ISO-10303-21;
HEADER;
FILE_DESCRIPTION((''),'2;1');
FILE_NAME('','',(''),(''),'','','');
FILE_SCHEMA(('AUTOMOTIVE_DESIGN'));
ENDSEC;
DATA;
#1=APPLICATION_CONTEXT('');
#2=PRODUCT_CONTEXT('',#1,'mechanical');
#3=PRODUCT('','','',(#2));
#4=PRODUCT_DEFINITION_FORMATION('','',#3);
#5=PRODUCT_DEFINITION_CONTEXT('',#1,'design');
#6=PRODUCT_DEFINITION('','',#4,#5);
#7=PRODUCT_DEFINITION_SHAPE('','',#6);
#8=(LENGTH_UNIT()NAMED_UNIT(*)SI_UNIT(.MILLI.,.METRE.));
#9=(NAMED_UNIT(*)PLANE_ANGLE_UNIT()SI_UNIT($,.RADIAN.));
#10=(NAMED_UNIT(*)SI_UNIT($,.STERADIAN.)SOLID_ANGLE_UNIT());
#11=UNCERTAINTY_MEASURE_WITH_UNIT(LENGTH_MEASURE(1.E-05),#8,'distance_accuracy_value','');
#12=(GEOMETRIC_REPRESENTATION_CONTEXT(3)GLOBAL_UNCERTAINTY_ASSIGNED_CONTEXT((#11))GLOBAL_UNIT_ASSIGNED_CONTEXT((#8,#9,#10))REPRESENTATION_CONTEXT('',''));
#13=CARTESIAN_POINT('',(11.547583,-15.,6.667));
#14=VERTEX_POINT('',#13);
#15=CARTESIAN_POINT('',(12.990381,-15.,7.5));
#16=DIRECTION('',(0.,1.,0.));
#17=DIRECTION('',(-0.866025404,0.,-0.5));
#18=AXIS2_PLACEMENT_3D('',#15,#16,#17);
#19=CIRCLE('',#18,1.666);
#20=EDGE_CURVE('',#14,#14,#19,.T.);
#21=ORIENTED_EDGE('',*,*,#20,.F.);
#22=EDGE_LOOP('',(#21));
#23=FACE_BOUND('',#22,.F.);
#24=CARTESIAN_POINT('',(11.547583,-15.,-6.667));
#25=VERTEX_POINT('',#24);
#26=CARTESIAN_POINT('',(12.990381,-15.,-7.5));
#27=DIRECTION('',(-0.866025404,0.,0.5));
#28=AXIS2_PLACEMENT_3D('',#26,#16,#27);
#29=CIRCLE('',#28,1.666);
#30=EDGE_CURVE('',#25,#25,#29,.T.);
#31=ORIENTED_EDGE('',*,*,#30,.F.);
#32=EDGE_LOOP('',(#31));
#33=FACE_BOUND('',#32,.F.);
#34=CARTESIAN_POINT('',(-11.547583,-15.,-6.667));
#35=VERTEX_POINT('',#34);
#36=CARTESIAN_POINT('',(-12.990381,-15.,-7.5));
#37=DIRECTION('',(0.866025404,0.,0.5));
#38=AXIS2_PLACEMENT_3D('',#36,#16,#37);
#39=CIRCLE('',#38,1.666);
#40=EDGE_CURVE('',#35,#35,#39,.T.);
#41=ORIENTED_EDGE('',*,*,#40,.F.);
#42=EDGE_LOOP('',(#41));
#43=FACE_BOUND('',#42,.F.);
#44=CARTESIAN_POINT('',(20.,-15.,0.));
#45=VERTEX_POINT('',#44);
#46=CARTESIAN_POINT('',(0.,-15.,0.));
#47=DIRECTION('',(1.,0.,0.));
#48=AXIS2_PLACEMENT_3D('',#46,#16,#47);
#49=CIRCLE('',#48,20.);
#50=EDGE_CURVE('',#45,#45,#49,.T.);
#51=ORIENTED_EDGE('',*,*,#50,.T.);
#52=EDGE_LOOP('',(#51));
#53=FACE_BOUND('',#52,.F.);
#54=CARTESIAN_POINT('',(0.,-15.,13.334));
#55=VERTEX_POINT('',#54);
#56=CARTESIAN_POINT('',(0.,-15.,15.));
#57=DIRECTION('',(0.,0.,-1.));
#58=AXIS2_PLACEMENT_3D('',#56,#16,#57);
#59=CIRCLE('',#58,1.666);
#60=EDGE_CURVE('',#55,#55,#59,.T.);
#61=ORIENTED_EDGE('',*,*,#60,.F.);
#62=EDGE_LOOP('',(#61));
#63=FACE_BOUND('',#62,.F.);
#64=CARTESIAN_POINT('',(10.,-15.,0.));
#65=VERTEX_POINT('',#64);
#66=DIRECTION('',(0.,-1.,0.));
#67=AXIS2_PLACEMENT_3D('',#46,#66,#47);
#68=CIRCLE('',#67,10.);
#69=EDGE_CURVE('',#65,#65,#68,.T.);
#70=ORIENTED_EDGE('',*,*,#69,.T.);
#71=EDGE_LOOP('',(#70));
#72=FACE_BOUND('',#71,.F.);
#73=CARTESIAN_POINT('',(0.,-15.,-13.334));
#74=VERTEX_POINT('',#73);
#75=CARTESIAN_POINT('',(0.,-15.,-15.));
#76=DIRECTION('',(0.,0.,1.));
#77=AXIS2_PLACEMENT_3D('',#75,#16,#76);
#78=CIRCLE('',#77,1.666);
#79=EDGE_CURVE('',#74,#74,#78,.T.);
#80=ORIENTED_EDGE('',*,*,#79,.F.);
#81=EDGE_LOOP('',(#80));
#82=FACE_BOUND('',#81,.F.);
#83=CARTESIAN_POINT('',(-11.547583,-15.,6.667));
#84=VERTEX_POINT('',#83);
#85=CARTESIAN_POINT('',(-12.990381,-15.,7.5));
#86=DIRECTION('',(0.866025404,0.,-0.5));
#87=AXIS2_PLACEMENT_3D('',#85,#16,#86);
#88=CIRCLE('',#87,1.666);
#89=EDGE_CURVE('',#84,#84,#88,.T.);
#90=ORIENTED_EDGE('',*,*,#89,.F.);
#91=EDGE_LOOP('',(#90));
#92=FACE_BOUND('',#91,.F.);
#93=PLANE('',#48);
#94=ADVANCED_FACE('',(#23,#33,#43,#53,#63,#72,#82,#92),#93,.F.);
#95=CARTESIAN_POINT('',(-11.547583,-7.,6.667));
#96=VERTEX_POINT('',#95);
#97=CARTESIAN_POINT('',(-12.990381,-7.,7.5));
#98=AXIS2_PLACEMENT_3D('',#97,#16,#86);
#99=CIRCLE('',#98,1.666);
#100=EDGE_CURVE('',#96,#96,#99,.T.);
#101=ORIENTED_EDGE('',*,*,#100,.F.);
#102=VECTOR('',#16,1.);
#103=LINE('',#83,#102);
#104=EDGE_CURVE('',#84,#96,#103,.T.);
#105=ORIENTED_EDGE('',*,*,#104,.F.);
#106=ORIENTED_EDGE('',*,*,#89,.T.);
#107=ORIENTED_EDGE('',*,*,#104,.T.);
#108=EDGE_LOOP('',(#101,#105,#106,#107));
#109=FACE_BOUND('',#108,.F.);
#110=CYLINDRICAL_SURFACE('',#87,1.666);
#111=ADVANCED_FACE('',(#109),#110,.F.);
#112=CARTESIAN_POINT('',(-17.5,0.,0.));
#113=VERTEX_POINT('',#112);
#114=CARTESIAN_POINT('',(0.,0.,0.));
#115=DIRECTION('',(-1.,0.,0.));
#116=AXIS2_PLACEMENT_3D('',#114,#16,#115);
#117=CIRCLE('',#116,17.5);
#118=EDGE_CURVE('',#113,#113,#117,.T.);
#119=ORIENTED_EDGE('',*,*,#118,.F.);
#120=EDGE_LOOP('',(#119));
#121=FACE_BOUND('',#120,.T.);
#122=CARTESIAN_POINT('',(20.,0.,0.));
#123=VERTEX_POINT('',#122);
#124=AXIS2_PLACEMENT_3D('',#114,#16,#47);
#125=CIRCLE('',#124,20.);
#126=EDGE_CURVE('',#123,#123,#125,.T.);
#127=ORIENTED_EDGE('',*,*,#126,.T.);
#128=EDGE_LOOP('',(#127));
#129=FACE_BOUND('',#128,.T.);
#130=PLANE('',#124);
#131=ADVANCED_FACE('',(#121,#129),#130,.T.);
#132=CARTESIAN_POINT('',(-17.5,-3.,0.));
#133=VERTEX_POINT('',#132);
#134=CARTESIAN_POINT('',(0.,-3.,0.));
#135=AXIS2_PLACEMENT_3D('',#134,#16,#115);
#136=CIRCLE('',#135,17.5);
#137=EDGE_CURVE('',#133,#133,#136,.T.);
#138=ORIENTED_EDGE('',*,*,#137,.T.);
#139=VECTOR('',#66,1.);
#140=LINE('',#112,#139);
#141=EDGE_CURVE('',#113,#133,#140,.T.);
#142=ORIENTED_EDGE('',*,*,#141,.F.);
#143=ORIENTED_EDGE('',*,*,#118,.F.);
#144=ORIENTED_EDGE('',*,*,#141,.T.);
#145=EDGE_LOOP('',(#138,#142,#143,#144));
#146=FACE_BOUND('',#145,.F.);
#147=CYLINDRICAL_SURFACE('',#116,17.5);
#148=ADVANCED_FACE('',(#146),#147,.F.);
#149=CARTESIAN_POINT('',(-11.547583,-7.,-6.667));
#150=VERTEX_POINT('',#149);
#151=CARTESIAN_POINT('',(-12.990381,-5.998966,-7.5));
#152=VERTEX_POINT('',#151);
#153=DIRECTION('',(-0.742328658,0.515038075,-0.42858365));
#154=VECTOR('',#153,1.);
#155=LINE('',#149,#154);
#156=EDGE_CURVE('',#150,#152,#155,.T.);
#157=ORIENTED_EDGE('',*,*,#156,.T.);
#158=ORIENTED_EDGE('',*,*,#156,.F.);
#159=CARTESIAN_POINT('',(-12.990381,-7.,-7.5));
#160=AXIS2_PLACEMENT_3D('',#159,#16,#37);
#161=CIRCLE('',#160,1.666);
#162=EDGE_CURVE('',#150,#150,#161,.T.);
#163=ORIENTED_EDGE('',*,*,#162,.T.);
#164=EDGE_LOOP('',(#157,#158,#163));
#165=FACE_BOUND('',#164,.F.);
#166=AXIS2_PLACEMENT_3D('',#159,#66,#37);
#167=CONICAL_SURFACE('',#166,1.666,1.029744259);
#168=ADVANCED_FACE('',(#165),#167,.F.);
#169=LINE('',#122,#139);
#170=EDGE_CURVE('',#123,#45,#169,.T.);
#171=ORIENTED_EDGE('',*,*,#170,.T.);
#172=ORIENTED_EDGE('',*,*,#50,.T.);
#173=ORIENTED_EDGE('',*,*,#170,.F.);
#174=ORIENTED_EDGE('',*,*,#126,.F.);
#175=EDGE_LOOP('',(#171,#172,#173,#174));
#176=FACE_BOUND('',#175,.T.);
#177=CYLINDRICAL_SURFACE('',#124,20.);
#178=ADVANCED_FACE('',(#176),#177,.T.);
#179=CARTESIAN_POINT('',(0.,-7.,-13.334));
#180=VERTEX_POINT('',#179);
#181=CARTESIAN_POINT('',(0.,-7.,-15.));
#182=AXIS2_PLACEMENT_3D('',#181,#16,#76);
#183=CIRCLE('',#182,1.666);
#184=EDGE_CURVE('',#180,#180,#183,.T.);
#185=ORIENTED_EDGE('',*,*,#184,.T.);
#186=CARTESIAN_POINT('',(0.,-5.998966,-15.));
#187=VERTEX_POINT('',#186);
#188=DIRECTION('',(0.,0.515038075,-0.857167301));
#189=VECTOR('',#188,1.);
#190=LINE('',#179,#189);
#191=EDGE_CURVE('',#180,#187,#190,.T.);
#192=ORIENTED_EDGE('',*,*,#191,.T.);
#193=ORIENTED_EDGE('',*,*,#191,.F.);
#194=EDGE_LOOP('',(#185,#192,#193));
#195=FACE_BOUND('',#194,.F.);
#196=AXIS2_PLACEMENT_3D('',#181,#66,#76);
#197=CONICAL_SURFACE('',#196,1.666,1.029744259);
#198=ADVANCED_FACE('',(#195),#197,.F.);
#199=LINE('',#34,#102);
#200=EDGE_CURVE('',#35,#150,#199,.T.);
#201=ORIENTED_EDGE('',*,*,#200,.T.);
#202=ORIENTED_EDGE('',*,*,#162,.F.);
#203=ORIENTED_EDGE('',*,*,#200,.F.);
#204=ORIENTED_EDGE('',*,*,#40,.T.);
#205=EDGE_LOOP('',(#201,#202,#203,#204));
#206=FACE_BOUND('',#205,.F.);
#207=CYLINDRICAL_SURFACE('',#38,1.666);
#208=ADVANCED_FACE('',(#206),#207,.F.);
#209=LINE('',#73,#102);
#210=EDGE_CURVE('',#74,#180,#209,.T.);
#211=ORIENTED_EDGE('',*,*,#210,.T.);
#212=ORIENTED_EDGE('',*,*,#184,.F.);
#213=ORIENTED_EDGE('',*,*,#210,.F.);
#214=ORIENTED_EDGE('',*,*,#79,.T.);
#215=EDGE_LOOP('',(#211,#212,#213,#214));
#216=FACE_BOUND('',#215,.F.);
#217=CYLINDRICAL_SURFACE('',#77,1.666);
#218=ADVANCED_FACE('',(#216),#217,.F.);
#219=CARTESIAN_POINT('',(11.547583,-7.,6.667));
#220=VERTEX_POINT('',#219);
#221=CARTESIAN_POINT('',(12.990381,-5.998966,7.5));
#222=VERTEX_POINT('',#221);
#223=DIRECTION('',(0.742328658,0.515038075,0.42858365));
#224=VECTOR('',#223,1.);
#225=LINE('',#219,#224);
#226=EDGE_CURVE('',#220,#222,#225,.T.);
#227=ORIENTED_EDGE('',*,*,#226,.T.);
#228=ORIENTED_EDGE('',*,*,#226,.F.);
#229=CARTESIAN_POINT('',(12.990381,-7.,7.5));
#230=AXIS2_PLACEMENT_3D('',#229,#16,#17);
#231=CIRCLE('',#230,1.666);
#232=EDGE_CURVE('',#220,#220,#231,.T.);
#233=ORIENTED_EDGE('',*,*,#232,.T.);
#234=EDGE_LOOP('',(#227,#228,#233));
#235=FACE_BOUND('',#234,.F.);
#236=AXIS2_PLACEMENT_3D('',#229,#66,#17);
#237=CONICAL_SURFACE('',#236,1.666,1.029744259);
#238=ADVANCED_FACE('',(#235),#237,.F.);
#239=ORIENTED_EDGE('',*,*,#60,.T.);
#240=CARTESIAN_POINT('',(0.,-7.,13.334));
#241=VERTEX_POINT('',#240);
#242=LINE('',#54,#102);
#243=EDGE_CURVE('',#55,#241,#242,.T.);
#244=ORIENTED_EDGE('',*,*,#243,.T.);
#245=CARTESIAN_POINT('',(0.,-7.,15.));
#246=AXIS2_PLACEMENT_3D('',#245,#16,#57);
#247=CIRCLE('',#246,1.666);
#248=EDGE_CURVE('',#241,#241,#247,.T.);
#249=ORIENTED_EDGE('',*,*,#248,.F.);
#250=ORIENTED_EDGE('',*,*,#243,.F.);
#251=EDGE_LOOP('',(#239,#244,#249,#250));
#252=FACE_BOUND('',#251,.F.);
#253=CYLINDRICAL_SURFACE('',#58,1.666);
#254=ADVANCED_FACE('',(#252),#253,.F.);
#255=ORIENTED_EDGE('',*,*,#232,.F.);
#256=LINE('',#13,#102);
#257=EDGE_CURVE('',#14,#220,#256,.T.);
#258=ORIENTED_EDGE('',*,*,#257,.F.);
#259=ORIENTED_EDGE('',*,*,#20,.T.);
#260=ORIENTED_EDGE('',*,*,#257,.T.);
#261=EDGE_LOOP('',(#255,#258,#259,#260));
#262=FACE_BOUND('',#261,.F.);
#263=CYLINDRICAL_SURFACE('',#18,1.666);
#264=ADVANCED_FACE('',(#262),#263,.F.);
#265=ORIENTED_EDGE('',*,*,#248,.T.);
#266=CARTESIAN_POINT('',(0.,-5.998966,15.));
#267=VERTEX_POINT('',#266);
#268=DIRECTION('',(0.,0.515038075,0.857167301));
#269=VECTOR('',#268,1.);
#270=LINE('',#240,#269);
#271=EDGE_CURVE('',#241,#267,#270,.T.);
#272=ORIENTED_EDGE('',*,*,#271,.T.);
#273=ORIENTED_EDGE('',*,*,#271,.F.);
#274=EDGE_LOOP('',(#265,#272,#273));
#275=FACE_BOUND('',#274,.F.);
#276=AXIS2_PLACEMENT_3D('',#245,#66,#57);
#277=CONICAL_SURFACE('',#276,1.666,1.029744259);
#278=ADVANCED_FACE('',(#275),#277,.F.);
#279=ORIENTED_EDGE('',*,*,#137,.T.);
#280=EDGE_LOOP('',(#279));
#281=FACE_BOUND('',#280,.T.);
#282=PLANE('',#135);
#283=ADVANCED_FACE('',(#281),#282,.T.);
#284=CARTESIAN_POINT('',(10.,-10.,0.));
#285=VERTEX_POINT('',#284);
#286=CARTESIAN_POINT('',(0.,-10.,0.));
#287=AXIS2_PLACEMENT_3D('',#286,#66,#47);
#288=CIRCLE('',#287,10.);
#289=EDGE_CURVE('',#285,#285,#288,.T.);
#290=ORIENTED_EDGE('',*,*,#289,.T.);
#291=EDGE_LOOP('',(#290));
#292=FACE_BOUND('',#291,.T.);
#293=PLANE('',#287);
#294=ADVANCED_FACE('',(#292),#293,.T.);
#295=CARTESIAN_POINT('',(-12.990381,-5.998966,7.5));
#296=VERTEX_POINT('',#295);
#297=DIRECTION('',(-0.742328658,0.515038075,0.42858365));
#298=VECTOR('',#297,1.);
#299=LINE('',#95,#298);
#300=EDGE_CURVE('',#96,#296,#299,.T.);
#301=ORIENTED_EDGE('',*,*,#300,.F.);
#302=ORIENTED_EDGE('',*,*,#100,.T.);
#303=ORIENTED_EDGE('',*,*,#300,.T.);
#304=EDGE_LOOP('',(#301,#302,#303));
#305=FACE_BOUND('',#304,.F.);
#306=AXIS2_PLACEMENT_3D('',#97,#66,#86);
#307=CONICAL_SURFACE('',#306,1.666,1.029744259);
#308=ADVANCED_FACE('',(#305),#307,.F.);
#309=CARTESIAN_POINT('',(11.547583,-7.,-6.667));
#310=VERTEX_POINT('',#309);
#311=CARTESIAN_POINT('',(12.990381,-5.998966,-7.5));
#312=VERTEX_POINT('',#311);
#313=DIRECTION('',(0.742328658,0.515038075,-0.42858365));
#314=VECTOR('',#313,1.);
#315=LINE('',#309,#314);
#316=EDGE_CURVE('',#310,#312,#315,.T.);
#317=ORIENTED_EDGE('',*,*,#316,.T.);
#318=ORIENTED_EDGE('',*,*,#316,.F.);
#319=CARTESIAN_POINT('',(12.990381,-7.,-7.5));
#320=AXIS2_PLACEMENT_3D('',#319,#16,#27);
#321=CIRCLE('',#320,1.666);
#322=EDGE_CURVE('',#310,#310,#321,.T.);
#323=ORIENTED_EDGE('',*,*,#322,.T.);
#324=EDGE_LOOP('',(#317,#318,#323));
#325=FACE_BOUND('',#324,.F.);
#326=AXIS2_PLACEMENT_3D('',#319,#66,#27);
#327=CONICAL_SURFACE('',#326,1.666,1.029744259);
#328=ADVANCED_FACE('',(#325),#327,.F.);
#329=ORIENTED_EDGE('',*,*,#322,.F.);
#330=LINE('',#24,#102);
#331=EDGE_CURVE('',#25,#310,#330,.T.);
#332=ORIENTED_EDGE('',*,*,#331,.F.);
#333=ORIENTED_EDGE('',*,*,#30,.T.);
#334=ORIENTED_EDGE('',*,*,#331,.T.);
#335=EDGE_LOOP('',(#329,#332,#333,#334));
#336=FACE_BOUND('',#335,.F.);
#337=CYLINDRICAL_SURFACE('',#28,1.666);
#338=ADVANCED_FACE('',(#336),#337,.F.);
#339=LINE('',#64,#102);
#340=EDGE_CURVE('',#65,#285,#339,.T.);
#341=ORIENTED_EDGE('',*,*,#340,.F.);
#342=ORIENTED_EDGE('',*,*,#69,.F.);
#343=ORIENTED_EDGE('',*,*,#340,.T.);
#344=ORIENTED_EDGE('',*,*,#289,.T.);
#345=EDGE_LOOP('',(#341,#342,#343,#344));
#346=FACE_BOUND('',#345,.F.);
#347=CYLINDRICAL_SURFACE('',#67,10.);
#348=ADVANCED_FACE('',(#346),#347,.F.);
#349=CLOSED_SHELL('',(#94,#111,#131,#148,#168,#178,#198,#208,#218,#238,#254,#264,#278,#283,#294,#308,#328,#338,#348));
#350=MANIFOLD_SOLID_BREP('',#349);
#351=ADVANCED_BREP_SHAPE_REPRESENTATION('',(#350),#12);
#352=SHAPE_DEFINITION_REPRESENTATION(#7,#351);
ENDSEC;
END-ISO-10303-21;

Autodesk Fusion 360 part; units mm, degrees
sketch "Sketch1" plane through (0, 0, 0) normal (0, 1, 0) x (1, 0, 0)
  circle A0 centre (0, 0) radius 20
  dimension "d1" = 40
extrude "Extrude1" add sketch "Sketch1" against normal blind 15
sketch "Sketch2" plane through (0, -15, 0) normal (0, -1, 0) x (1, 0, 0)
  circle A0 centre (0, 0) radius 20
  circle A1 centre (0, 0) radius 10
  dimension "d4" = 20
extrude "Extrude2" cut sketch "Sketch2" against normal blind 5 contours A1
sketch "Sketch3" plane through (0, -15, 0) normal (0, -1, 0) x (1, 0, 0)
  circle A0 centre (0, 0) radius 10
  circle A1 centre (0, 0) radius 20
  point P0 (0, 15)
  dimension "d7" = 15
hole "Hole1" at (0, -15, 15) direction (0, 1, 0) diameter 3.332 depth 8 tip angle 118
pattern_circular "C-Pattern1" count 6 over 360 about axis through (0, 1.75, 0) along (0, 1, 0) of "Hole1"
sketch "Sketch4" plane through (0, 0, 0) normal (0, 1, 0) x (-1, 0, 0)
  circle A0 centre (0, 0) radius 20
  circle A1 centre (0, 0) radius 17.5
  dimension "d15" = 35
extrude "Extrude3" cut sketch "Sketch4" against normal blind 3 contours A1
